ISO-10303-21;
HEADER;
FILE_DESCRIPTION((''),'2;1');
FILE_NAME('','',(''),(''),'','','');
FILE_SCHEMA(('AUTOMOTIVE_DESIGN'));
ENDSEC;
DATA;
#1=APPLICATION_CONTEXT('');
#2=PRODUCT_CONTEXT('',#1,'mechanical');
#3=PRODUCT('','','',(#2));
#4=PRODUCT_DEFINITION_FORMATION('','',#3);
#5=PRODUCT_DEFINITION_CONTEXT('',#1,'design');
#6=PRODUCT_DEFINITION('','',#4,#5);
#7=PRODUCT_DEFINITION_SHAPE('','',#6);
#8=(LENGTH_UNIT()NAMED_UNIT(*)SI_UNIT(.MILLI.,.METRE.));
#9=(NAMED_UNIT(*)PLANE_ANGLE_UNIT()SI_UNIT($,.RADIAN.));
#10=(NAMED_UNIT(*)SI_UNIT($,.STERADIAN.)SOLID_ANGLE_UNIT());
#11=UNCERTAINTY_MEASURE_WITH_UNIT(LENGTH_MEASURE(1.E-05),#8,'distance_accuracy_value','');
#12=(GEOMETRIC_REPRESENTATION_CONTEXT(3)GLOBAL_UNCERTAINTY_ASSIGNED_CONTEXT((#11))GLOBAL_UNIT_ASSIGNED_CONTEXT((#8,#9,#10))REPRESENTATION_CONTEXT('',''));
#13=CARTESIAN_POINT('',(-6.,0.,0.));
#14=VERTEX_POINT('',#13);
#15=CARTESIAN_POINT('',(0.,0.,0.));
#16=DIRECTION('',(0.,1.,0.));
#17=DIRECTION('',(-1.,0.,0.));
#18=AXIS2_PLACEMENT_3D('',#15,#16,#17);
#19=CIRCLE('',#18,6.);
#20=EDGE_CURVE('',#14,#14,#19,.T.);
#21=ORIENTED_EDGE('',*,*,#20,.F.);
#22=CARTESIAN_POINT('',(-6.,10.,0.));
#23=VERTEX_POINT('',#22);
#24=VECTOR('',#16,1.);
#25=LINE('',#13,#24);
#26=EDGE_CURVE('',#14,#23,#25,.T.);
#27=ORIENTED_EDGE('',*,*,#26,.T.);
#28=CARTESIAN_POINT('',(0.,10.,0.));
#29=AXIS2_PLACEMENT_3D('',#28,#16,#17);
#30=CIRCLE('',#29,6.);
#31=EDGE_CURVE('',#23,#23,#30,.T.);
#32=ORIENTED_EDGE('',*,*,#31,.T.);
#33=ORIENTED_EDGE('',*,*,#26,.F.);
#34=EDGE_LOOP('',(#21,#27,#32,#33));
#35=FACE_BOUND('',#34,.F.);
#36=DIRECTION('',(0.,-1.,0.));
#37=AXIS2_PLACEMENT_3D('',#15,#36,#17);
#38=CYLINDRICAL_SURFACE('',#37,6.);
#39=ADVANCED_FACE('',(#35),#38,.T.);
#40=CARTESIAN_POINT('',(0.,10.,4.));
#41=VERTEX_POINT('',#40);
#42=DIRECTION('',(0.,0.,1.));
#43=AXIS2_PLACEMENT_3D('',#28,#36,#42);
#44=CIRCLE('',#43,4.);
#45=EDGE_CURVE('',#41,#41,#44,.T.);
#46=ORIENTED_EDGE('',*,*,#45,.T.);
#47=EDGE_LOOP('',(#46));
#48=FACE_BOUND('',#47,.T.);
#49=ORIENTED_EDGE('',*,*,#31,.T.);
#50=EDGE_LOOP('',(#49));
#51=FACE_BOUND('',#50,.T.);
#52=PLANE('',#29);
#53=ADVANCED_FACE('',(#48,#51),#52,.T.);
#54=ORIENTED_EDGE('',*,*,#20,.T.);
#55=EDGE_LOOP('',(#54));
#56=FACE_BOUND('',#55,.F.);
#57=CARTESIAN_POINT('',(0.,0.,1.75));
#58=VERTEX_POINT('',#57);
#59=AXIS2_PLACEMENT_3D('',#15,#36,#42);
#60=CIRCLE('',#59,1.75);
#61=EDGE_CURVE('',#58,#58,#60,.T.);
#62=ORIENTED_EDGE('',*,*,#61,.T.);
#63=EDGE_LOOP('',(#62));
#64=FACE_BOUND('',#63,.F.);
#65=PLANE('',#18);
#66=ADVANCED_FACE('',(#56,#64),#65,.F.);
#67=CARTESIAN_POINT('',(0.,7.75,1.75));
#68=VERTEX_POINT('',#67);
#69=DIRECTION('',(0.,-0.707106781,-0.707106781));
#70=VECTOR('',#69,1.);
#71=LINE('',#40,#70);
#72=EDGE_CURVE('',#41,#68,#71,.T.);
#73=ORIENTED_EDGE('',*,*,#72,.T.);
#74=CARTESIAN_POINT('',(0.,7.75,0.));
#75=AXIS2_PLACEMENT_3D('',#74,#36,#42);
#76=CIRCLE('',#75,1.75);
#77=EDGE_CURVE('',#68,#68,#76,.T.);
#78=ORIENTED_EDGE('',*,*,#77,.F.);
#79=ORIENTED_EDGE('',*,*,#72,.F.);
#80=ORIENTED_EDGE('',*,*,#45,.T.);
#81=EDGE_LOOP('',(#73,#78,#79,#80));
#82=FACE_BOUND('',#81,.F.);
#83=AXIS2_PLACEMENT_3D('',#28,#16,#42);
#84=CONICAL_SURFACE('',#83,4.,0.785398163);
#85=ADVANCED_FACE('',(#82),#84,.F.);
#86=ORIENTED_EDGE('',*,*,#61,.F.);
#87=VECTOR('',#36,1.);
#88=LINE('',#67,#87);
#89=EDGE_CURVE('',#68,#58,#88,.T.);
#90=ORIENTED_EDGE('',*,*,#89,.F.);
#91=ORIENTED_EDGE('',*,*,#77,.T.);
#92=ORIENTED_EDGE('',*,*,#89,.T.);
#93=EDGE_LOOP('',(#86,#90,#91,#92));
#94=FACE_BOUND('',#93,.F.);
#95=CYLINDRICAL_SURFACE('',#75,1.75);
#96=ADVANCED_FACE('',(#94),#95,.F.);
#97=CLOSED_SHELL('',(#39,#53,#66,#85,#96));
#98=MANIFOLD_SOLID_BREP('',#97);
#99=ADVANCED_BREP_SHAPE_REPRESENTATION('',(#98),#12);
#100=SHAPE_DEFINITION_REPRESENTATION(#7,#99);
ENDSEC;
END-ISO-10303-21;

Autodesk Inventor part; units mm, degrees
ref_plane "YZ Plane" through (0, 0, 0) normal (1, 0, 0) x (0, 1, 0)
ref_plane "XZ Plane" through (0, 0, 0) normal (0, 1, 0) x (-1, 0, 0)
ref_plane "XY Plane" through (0, 0, 0) normal (0, 0, 1) x (1, 0, 0)
sketch "Sketch1" plane through (0, 0, 0) normal (0, 1, 0) x (-1, 0, 0)
  circle A0 centre (0, 0) radius 6
  dimension "d0" = 12
extrude "Extrusion1" add sketch "Sketch1" along normal blind 10
sketch "Sketch2" plane through (0, 10, 0) normal (0, 1, 0) x (1, 0, 0)
  circle A0 centre (0, 0) radius 6 projected
hole "Hole1" at (0, 10, 0) direction (0, -1, 0) diameter 3.5 end through all countersink diameter 8 countersink angle 90
properties part number "backcover_clamp_supermini"
